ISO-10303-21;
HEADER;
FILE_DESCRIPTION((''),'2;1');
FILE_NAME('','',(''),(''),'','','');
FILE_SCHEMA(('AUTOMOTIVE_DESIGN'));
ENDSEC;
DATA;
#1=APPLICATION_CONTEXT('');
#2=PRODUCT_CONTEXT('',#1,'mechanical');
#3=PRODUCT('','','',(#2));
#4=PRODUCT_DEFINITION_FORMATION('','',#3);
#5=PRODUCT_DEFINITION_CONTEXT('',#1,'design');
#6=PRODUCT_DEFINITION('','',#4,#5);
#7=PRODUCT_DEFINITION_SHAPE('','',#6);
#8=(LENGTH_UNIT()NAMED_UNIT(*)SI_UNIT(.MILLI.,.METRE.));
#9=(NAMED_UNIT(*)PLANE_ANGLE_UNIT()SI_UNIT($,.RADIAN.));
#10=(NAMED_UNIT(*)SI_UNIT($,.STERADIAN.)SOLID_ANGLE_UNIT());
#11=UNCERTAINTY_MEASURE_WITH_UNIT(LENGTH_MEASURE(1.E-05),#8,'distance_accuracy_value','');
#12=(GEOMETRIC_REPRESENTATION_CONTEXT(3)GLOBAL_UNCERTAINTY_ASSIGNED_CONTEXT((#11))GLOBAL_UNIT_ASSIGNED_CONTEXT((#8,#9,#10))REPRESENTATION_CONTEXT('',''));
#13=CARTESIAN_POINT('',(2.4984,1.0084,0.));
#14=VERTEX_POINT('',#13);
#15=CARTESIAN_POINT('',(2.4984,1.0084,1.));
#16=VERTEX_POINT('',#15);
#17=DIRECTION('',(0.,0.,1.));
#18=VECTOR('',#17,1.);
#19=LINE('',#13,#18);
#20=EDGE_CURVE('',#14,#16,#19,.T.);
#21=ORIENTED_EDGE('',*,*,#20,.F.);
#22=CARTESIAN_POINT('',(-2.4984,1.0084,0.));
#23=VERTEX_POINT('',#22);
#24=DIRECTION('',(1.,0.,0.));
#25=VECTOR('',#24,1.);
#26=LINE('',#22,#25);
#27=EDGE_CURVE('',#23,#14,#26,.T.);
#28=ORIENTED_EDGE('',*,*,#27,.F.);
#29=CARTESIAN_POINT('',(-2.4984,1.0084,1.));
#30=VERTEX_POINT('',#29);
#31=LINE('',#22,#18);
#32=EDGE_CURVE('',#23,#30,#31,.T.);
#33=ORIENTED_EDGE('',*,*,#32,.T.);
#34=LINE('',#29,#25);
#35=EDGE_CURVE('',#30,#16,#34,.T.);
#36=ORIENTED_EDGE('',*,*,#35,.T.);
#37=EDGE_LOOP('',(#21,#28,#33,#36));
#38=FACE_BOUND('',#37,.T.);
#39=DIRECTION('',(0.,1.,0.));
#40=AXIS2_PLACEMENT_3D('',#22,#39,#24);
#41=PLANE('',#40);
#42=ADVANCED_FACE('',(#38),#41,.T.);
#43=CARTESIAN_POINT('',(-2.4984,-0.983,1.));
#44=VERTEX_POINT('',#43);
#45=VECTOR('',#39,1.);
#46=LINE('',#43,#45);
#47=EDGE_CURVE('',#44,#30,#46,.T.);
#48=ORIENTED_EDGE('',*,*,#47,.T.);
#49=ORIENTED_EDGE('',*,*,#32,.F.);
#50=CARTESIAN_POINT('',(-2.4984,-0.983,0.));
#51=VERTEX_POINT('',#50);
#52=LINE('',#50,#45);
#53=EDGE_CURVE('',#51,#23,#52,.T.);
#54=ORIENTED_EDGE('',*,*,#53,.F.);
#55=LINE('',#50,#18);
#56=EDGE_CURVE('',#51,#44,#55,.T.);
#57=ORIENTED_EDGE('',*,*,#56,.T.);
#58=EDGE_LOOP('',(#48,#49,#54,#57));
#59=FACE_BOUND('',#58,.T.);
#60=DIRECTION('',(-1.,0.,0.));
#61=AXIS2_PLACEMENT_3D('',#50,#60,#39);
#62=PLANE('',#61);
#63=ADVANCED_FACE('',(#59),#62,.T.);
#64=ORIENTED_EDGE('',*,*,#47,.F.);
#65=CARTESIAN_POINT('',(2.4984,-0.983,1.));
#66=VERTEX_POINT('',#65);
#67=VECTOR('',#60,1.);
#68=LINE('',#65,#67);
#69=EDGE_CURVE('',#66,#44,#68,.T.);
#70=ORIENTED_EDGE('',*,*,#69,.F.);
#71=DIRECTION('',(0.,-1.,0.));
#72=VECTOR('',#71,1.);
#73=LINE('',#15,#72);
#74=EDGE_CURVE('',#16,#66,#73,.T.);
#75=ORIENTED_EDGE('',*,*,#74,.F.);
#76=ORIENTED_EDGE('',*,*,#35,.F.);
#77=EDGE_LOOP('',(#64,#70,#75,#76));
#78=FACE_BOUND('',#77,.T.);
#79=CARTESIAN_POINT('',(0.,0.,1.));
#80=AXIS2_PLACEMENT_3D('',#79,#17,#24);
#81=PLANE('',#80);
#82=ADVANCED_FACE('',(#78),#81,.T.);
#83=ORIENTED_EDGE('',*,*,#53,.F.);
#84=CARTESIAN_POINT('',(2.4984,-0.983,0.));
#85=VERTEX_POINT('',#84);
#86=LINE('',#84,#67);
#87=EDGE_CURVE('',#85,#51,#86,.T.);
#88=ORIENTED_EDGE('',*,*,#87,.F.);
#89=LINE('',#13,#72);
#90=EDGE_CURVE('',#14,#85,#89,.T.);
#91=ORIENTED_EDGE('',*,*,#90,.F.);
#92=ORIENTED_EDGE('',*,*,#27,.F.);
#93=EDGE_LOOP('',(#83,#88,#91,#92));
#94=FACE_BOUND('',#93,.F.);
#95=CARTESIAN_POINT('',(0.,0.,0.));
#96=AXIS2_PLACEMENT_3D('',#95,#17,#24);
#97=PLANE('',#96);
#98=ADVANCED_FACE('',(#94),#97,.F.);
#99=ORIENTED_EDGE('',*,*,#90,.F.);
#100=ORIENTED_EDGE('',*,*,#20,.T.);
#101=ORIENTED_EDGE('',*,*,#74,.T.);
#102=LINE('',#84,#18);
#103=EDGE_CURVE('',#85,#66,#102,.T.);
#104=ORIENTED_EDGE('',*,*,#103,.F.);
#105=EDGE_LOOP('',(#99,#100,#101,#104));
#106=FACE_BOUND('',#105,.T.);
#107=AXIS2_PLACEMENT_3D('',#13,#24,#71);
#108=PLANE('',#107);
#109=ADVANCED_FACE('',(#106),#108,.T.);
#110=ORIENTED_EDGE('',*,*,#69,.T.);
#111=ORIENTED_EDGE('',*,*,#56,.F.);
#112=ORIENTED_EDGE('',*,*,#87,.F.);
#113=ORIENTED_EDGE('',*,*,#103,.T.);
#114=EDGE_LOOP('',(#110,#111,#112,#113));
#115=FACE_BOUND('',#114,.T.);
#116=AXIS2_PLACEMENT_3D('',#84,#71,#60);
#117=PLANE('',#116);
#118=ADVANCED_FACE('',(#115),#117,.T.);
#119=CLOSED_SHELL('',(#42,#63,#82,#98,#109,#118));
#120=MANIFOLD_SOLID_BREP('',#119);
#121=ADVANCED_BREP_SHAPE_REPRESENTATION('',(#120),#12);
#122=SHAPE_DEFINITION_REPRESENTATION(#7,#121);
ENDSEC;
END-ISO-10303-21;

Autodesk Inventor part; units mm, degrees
ref_plane "YZ Plane" through (0, 0, 0) normal (1, 0, 0) x (0, 1, 0)
ref_plane "XZ Plane" through (0, 0, 0) normal (0, 1, 0) x (-1, 0, 0)
ref_plane "XY Plane" through (0, 0, 0) normal (0, 0, 1) x (1, 0, 0)
sketch "C3216, 18P_26" plane through (0, 0, 0) normal (0, 0, 1) x (1, 0, 0)
  line L0 (-2.4984, 1.0084) -> (2.4984, 1.0084)
  line L1 (2.4984, 1.0084) -> (2.4984, -0.983)
  line L2 (2.4984, -0.983) -> (-2.4984, -0.983)
  line L3 (-2.4984, -0.983) -> (-2.4984, 1.0084)
extrude "Extrusion1" add sketch "C3216, 18P_26" along normal blind 1
properties part number "18P"
